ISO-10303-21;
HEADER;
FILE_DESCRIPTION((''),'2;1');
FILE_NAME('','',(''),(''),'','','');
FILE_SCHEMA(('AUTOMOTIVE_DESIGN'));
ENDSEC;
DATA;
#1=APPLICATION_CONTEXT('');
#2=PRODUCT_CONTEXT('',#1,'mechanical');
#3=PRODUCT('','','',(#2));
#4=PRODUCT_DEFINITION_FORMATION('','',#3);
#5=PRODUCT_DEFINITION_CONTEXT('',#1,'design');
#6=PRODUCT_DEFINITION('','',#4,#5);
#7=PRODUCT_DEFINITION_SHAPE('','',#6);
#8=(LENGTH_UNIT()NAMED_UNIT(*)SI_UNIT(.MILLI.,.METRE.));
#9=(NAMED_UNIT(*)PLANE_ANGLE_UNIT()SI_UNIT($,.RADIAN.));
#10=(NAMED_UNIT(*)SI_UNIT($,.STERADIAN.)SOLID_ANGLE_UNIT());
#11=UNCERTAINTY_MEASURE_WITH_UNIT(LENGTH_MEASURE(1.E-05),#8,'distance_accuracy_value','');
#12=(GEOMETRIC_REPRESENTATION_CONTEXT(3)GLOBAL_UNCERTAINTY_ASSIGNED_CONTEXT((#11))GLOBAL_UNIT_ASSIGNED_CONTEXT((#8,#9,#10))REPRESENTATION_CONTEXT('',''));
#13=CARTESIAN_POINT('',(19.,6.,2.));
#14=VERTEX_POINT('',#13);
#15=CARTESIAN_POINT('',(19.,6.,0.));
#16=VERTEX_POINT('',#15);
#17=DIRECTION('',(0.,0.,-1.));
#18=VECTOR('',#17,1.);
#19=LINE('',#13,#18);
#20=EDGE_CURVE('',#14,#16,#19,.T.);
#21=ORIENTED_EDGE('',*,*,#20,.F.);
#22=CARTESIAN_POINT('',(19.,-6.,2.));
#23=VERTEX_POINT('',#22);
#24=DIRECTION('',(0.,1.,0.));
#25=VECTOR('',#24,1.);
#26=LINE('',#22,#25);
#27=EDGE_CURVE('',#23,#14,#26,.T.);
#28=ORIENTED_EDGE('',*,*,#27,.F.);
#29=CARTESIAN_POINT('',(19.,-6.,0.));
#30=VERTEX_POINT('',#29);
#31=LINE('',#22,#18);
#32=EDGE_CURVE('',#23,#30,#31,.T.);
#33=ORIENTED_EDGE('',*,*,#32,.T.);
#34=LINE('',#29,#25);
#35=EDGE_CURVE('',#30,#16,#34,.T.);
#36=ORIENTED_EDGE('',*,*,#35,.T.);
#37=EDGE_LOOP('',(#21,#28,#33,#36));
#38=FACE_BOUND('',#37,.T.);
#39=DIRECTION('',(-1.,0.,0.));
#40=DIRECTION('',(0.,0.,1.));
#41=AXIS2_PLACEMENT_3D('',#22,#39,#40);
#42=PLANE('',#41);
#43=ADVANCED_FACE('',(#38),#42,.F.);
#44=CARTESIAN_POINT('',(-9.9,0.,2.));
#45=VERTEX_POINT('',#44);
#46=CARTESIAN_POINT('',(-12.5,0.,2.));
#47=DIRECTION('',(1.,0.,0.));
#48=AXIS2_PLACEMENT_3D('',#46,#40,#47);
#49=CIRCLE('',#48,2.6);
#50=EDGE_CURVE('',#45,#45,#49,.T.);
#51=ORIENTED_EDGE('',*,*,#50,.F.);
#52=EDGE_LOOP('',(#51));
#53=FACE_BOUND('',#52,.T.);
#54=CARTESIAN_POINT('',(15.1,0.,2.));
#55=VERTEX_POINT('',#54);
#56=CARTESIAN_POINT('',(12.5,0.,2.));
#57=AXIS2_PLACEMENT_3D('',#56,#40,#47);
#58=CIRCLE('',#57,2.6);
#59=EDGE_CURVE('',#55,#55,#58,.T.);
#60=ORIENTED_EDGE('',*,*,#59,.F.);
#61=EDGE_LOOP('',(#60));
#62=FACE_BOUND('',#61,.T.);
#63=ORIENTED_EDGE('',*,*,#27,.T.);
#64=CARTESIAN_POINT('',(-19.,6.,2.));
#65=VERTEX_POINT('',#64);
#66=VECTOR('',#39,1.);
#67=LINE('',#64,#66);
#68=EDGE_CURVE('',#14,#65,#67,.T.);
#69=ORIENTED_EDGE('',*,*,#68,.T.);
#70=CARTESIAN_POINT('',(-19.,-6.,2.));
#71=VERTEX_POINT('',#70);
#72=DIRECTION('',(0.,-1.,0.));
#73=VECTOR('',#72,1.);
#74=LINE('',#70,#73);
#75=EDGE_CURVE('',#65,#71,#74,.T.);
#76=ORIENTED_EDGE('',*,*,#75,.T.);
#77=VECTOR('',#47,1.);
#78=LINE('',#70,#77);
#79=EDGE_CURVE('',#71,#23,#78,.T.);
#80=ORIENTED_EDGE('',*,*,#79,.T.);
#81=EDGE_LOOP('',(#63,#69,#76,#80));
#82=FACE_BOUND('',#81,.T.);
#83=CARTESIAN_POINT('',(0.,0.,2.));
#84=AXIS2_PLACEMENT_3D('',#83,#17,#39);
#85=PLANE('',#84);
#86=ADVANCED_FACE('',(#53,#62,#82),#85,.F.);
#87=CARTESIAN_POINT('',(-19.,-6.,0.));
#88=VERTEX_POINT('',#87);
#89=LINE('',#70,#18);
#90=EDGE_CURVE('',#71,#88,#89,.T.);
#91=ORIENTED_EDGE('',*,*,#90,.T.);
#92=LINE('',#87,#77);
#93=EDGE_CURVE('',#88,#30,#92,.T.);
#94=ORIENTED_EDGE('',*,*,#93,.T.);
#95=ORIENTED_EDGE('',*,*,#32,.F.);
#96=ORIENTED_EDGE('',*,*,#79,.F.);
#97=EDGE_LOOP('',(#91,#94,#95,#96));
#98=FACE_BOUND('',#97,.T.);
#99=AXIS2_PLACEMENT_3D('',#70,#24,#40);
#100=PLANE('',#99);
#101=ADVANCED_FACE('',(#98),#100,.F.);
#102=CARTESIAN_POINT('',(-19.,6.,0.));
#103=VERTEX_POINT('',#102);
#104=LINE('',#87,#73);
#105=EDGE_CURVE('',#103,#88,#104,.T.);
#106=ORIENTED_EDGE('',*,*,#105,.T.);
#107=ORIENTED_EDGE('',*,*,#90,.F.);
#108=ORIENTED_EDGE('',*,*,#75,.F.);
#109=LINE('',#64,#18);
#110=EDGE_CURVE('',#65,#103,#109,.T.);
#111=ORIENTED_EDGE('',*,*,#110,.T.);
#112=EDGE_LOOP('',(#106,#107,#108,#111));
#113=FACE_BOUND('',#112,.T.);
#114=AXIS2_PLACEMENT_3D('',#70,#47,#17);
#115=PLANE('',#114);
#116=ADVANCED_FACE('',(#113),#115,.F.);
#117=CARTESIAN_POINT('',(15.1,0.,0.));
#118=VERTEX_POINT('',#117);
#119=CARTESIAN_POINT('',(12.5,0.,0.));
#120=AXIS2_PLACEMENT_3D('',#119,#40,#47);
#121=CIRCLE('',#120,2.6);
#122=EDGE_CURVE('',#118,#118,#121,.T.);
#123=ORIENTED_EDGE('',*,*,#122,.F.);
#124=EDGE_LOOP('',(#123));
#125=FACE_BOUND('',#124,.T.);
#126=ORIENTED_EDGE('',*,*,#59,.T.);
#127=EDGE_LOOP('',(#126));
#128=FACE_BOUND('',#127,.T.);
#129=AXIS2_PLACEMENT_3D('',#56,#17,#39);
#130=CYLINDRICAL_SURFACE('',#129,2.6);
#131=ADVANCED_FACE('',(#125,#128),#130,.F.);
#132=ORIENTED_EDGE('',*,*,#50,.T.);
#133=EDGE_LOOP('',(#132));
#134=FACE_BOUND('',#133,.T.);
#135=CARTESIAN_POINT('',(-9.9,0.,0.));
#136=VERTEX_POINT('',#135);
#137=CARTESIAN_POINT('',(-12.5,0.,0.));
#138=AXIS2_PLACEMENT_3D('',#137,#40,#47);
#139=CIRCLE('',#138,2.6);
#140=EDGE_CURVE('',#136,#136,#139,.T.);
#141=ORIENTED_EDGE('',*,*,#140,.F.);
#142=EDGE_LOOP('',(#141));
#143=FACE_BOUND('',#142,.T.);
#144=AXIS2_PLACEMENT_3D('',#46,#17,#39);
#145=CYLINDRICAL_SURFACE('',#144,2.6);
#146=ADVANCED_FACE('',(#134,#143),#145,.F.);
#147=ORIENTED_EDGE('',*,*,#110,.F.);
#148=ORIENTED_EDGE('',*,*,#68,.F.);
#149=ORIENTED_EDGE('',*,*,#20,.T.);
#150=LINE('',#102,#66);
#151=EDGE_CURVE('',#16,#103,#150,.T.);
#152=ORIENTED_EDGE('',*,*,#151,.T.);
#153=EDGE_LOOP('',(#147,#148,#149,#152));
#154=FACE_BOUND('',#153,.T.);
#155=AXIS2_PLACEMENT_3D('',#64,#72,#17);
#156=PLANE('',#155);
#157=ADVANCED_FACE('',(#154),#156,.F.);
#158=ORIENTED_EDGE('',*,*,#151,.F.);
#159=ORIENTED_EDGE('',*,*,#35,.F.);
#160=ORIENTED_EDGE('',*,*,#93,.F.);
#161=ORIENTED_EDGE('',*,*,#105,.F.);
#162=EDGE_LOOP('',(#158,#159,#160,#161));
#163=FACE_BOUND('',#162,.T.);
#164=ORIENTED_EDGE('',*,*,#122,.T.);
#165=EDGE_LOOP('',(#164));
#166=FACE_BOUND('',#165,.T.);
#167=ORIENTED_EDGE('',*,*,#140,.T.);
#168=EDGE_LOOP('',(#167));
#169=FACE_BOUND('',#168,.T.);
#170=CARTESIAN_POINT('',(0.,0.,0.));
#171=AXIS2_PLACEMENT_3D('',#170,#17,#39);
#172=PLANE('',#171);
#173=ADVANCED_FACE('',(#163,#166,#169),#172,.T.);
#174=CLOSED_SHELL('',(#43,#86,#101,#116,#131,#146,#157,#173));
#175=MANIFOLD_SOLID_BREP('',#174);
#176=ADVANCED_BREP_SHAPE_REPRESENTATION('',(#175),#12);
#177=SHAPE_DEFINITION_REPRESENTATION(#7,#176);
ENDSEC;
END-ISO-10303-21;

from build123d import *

# Parameters (mm, degrees)
SKETCH_1_W      = 38
SKETCH_1_H      = 12
SKETCH_1_R      = 2.6
EXTRUDE_1_DEPTH = 2


with BuildPart() as part:
    # 草图1 → 凸台-拉伸1 (new body)
    with BuildSketch(Plane.XY):
        Rectangle(SKETCH_1_W, SKETCH_1_H)
        with Locations((12.5, 0)):
            Circle(SKETCH_1_R, mode=Mode.SUBTRACT)
        with Locations((-12.5, 0)):
            Circle(SKETCH_1_R, mode=Mode.SUBTRACT)
    extrude(amount=EXTRUDE_1_DEPTH)


solid = part.part
